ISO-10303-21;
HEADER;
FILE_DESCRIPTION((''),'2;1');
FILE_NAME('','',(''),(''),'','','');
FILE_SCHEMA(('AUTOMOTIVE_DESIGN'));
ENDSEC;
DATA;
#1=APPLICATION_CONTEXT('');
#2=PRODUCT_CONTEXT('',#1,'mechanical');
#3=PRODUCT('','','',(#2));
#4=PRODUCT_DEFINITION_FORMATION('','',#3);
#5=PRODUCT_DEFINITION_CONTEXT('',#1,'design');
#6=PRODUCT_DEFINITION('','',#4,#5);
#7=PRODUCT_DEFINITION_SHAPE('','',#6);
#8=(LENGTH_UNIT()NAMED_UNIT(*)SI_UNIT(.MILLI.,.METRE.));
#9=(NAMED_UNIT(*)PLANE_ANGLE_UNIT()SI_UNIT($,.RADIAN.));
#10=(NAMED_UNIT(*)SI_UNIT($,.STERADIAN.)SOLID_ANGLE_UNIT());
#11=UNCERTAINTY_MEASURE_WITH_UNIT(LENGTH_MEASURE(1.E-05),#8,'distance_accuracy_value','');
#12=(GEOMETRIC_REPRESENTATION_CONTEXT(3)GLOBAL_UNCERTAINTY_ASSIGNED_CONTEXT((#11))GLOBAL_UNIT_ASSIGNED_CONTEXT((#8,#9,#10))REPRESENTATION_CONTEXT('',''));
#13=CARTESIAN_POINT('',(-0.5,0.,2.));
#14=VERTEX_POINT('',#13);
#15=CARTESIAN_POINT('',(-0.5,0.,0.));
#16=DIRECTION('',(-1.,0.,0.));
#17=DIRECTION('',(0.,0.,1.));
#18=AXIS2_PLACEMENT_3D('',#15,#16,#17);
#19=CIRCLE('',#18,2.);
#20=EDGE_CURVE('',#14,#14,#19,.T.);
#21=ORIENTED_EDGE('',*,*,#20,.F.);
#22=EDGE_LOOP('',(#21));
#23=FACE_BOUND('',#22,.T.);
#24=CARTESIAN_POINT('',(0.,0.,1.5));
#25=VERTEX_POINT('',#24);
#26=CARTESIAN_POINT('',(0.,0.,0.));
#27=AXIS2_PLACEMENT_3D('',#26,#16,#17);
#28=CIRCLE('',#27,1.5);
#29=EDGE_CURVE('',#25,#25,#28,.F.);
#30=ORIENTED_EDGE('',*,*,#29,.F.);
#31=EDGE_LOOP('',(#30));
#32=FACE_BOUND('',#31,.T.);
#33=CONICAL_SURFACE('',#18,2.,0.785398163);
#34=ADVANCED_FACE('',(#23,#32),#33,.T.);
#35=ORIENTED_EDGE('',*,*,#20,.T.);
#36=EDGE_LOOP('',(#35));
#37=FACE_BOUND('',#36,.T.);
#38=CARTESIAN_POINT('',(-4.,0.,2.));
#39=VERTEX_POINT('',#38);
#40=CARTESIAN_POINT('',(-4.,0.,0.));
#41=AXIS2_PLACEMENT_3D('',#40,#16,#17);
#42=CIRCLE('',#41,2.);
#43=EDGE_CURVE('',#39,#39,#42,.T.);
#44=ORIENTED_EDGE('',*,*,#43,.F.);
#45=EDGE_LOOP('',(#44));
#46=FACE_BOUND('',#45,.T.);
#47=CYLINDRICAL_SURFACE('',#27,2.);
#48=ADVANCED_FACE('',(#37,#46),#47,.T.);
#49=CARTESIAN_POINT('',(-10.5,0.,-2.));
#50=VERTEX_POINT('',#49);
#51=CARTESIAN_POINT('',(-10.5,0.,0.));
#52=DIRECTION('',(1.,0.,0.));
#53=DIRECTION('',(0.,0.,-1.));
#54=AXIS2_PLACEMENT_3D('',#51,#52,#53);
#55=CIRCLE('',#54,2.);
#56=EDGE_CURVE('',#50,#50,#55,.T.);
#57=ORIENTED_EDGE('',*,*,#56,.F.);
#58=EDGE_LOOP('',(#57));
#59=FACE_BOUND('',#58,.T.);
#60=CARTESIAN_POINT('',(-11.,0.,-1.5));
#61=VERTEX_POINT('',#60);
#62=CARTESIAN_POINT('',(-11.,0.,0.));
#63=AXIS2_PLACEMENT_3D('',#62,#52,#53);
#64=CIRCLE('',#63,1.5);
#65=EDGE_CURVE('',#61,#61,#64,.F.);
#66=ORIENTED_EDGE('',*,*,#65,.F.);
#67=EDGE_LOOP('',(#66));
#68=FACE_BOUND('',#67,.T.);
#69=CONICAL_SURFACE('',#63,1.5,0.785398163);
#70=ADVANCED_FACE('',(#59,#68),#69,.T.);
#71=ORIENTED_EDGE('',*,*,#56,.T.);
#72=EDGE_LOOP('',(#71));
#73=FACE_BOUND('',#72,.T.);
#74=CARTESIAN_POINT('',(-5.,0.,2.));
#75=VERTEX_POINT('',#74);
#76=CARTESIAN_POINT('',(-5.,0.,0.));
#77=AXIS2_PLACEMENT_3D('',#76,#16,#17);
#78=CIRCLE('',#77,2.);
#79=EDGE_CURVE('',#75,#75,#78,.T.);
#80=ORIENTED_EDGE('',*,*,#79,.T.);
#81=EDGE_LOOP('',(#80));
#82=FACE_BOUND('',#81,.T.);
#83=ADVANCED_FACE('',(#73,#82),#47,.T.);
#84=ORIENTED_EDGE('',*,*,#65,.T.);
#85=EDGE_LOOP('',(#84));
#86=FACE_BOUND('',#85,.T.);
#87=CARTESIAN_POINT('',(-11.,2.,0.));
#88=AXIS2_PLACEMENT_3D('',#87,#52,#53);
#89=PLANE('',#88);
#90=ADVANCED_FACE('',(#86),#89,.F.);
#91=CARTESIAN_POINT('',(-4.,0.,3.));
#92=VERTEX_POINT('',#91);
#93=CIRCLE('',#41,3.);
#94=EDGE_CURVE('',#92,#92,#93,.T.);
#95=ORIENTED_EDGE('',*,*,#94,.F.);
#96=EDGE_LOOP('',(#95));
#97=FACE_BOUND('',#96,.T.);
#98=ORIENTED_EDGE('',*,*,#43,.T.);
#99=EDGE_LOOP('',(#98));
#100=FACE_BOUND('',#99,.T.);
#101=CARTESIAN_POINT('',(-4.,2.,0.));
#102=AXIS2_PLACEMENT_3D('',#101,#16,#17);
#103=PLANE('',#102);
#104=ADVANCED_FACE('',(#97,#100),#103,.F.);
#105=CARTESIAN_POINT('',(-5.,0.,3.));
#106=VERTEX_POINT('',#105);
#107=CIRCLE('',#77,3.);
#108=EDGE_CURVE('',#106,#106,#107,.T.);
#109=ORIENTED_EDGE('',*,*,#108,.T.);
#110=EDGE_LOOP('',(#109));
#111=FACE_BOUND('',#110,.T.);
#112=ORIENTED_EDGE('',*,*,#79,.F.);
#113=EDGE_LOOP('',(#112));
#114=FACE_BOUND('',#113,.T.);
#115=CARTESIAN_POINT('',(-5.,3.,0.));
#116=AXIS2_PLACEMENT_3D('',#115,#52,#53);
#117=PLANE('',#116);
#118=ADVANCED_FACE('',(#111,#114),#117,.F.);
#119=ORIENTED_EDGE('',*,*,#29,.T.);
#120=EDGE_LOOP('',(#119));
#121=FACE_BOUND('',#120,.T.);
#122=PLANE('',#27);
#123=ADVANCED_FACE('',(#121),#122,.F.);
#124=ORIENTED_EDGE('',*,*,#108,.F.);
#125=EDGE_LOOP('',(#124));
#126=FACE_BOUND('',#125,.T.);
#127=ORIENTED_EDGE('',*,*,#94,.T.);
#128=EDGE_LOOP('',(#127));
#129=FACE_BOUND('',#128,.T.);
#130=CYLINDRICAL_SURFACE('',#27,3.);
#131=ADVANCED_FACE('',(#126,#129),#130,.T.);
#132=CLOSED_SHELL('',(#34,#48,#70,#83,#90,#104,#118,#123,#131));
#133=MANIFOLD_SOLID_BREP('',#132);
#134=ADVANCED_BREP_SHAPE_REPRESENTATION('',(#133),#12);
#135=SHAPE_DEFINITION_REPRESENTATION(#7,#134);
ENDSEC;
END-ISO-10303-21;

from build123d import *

# Parameters (mm, degrees)
CHANFREIN1_SIZE = 0.5


with BuildPart() as part:
    # Esquisse1 → Révolution1 (revolve)
    with BuildSketch(Plane.XY, mode=Mode.PRIVATE) as r_volution1_sk:
        Polygon((0, 0), (0, 2), (-4, 2), (-4, 3), (-5, 3), (-5, 2), (-11, 2), (-11, 0), align=None)
    revolve(r_volution1_sk.sketch.rotate(Axis((0, 0, 0), (1, 0, 0)), 90), axis=Axis((0, 0, 0), (1, 0, 0)))  # turned: the seam where the file's is

    # Chanfrein1
    chanfrein1_edges = [part.edges().sort_by_distance(p)[0] for p in [
        (-11, 0, -2),
        (0, 0, -2),
    ]]
    chamfer(chanfrein1_edges, length=CHANFREIN1_SIZE)


solid = part.part
